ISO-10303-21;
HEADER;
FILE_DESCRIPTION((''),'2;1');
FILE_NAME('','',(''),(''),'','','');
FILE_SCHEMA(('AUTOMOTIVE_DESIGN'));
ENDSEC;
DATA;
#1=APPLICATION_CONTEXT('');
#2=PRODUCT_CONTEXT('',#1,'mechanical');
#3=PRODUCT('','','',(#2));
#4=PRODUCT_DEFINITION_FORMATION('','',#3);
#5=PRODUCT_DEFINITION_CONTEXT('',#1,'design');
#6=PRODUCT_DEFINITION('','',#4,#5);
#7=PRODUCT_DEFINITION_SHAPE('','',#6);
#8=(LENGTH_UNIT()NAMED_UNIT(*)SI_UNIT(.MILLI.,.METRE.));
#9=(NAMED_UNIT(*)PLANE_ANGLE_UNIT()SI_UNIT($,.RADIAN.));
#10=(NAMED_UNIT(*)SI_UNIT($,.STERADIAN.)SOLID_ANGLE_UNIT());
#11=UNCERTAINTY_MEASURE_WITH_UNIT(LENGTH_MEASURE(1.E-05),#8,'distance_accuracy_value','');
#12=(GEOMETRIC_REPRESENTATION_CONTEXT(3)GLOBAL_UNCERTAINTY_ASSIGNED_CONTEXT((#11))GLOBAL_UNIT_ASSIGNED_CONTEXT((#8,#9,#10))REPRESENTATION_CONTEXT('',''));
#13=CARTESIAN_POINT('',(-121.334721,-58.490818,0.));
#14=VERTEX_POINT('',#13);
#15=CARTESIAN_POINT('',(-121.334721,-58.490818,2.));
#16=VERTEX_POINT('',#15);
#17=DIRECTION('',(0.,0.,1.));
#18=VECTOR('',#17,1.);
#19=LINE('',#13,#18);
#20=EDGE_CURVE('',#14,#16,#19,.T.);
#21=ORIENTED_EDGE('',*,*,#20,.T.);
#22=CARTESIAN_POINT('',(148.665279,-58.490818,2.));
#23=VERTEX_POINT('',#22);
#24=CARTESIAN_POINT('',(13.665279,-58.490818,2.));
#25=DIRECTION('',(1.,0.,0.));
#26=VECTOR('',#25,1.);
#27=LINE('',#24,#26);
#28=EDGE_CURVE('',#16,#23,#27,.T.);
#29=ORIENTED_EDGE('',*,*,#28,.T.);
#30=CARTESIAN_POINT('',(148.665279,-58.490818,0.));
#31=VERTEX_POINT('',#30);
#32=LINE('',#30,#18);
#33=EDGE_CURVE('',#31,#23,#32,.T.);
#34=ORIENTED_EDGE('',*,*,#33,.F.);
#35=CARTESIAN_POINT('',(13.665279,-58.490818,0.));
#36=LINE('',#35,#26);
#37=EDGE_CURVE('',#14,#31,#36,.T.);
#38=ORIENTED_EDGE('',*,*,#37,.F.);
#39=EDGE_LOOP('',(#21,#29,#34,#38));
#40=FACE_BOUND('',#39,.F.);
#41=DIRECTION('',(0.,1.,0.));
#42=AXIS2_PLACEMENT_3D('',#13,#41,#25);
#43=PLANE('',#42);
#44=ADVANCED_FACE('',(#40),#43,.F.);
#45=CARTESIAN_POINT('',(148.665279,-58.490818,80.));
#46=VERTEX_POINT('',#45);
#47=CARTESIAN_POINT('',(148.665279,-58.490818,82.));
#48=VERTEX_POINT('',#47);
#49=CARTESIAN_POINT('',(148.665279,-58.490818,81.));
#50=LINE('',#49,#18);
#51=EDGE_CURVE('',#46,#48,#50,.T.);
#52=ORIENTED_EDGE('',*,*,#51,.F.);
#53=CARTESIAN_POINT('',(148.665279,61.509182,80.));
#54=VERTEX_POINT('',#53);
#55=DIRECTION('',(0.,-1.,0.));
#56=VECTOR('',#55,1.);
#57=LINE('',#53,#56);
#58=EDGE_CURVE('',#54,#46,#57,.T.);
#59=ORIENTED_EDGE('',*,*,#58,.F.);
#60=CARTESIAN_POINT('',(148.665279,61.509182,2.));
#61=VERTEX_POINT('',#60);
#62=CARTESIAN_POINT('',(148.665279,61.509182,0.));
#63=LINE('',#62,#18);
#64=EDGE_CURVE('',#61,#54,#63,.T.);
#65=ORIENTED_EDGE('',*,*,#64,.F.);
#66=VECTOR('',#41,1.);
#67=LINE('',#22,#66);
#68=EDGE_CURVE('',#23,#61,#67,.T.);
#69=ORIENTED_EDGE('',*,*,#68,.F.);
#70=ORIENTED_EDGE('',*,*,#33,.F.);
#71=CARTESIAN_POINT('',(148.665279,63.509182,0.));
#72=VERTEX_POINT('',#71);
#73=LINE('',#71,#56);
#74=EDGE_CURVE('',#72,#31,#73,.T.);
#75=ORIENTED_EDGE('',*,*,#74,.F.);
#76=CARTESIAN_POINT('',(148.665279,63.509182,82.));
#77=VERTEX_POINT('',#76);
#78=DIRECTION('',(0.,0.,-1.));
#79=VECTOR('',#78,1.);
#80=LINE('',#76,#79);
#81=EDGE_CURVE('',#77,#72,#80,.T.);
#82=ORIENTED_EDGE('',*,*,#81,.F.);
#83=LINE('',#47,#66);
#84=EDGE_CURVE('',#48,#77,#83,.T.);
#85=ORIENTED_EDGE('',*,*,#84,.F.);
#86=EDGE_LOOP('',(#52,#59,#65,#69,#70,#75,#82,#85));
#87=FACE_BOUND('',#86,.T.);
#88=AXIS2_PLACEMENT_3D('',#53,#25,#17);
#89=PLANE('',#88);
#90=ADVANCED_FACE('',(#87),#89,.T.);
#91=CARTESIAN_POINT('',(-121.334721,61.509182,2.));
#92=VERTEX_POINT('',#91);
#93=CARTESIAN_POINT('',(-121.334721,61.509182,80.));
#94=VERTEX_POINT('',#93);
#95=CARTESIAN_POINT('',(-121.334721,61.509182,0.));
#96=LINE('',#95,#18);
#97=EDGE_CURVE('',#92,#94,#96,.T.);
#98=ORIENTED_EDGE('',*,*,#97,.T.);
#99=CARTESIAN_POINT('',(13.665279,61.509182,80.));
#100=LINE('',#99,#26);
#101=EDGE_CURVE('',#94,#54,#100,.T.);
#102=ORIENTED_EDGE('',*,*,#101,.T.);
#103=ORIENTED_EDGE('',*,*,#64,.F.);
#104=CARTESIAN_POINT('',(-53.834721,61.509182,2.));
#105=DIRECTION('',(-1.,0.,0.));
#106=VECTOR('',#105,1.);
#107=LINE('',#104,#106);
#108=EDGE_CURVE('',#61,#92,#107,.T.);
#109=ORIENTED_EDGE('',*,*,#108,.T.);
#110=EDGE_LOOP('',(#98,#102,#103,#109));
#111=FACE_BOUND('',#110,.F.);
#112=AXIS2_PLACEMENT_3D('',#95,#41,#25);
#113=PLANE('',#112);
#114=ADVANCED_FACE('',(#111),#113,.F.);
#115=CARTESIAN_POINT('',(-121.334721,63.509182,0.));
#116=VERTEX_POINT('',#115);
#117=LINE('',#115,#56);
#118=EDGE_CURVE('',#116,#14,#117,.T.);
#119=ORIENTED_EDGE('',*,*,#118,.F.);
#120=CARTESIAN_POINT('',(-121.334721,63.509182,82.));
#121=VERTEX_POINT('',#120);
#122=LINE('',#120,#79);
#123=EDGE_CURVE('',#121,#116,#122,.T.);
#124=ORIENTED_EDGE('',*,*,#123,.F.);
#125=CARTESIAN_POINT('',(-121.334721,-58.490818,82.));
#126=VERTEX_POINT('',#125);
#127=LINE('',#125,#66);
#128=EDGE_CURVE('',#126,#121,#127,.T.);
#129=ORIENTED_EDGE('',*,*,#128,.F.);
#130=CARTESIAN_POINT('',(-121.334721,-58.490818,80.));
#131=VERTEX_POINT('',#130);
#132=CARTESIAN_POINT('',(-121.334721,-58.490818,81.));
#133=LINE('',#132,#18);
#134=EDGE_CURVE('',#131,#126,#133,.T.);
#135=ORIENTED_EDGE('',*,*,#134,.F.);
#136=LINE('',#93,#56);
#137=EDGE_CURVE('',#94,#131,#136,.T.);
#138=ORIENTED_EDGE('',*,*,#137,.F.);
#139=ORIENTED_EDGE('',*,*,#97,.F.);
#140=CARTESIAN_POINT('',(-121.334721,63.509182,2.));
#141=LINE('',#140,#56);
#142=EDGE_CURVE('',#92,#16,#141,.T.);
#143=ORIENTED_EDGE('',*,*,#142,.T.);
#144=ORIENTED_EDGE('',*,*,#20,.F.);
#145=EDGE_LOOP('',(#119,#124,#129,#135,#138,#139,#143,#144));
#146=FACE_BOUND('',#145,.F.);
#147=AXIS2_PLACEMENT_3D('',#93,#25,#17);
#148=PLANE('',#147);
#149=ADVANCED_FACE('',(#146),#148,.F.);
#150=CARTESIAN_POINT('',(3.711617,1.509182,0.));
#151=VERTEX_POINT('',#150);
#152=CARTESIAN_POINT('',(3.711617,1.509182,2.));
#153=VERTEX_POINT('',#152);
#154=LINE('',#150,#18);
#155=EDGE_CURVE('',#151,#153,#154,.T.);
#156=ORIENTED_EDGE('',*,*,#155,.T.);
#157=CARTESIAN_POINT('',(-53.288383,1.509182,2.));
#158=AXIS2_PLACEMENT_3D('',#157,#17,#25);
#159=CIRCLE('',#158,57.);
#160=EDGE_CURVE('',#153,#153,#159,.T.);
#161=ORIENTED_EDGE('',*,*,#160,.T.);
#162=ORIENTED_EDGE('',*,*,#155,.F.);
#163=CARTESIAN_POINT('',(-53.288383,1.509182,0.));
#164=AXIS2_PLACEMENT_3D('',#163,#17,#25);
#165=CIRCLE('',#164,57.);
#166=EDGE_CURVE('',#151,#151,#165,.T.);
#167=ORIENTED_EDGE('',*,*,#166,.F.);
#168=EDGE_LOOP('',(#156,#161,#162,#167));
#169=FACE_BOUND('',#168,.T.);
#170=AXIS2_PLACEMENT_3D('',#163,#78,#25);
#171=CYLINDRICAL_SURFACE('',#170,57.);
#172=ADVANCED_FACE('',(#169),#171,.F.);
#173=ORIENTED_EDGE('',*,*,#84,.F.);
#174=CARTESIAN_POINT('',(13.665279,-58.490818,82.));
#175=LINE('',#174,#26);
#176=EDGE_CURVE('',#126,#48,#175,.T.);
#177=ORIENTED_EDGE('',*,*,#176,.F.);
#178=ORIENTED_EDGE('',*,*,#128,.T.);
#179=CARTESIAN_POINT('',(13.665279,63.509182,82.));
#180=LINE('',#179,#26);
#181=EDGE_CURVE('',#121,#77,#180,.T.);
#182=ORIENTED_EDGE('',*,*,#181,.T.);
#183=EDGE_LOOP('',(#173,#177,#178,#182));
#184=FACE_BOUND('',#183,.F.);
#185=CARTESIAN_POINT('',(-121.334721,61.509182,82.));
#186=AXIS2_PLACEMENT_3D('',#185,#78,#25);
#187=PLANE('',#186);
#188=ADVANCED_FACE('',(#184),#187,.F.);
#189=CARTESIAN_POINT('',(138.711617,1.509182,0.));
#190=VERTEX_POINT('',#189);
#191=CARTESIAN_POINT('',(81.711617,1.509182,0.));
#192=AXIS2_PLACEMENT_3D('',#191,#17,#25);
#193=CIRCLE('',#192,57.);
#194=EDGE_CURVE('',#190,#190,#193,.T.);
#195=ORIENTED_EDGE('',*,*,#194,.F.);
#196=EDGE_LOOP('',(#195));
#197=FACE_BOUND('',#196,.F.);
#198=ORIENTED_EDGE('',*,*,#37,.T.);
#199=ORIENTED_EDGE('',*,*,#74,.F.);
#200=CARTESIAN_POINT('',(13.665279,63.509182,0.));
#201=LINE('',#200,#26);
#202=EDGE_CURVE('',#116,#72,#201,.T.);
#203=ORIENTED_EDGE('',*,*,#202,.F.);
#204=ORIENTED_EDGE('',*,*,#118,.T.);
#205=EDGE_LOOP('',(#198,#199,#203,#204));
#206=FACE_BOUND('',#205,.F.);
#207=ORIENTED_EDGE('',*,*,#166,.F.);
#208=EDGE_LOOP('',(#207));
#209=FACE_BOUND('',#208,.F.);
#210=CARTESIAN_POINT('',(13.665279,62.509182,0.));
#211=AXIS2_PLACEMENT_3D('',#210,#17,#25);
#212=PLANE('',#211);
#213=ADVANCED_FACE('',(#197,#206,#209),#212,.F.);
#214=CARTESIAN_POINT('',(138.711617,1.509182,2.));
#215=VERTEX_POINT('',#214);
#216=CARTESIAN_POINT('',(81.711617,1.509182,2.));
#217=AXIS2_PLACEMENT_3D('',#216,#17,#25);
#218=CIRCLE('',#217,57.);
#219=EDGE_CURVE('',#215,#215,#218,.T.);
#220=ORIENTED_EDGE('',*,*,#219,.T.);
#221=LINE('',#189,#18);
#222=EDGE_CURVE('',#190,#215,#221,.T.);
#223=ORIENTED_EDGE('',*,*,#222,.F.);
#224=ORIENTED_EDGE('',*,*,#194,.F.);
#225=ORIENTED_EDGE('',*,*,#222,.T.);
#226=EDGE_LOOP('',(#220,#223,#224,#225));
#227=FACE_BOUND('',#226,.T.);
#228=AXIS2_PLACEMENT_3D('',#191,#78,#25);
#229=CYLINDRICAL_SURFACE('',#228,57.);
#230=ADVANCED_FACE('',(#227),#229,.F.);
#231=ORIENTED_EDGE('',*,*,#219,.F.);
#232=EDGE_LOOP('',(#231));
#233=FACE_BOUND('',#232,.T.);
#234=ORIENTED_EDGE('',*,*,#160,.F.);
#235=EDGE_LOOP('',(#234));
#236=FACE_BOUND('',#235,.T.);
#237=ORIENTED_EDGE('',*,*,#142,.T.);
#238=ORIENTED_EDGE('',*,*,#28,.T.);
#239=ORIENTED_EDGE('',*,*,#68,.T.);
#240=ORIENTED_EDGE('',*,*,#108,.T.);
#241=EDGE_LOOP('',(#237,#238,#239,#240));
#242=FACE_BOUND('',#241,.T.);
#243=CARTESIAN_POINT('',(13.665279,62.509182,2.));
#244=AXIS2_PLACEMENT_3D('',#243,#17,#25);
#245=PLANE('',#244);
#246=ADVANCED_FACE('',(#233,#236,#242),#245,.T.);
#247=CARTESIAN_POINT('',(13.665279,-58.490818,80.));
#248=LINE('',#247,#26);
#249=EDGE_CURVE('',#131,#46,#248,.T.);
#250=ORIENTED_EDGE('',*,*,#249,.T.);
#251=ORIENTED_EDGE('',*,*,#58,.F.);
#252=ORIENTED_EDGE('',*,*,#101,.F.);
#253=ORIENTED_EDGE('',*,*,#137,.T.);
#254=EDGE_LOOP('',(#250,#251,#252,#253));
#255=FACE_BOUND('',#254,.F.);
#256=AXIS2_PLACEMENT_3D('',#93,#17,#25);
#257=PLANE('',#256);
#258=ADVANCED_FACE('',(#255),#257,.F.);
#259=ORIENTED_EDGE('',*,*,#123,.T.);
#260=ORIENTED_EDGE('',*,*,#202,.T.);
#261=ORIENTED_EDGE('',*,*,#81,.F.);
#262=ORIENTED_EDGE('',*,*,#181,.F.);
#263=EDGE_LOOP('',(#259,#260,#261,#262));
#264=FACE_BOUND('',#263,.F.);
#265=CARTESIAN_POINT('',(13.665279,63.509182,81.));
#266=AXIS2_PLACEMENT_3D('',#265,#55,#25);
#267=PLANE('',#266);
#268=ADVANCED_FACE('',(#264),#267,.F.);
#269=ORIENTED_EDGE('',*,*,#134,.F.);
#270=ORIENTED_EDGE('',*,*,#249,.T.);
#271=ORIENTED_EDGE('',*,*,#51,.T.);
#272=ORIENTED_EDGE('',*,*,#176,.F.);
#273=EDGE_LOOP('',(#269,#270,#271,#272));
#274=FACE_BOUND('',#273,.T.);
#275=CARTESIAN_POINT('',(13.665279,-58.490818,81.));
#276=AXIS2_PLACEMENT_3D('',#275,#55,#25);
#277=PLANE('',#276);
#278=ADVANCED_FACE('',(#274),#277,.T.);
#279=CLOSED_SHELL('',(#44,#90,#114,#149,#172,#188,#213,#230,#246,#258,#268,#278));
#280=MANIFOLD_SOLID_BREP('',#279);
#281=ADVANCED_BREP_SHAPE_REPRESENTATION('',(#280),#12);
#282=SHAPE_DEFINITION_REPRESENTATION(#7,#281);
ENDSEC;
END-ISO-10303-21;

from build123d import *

# Parameters (mm, degrees)
F0_W          = 270
F0_H          = 2
F0_H_2        = 120
F0_R          = 57
F1_DEPTH      = 2
F2_DEPTH      = 80
F3_W          = 270
F3_H          = 2
F4_DEPTH      = 120
F4_DEPTH_BACK = 2


with BuildPart() as f1:
    # F0 (on Top) → F1 (new body)
    with BuildSketch(Plane.XY):
        with Locations((13.665279, 62.509182)):
            Rectangle(F0_W, F0_H)
        with Locations((13.665279, 1.509182)):
            Rectangle(F0_W, F0_H_2)
        with Locations((-53.288383, 1.509182)):
            Circle(F0_R, mode=Mode.SUBTRACT)
        with Locations((81.711617, 1.509182)):
            Circle(F0_R, mode=Mode.SUBTRACT)
    extrude(amount=F1_DEPTH)

    # F0 (on Top) → F2 (join)
    with BuildSketch(Plane.XY):
        with Locations((13.665279, 62.509182)):
            Rectangle(F0_W, F0_H)
    extrude(amount=F2_DEPTH)

    # F3 (on face) → F4 (join, two sides)
    with BuildSketch(Plane.XZ.offset(-61.509182)) as f4_sk:
        with Locations((13.665279, 81)):
            Rectangle(F3_W, F3_H)
    extrude(amount=F4_DEPTH)
    extrude(f4_sk.sketch, amount=-F4_DEPTH_BACK)


solid = f1.part
